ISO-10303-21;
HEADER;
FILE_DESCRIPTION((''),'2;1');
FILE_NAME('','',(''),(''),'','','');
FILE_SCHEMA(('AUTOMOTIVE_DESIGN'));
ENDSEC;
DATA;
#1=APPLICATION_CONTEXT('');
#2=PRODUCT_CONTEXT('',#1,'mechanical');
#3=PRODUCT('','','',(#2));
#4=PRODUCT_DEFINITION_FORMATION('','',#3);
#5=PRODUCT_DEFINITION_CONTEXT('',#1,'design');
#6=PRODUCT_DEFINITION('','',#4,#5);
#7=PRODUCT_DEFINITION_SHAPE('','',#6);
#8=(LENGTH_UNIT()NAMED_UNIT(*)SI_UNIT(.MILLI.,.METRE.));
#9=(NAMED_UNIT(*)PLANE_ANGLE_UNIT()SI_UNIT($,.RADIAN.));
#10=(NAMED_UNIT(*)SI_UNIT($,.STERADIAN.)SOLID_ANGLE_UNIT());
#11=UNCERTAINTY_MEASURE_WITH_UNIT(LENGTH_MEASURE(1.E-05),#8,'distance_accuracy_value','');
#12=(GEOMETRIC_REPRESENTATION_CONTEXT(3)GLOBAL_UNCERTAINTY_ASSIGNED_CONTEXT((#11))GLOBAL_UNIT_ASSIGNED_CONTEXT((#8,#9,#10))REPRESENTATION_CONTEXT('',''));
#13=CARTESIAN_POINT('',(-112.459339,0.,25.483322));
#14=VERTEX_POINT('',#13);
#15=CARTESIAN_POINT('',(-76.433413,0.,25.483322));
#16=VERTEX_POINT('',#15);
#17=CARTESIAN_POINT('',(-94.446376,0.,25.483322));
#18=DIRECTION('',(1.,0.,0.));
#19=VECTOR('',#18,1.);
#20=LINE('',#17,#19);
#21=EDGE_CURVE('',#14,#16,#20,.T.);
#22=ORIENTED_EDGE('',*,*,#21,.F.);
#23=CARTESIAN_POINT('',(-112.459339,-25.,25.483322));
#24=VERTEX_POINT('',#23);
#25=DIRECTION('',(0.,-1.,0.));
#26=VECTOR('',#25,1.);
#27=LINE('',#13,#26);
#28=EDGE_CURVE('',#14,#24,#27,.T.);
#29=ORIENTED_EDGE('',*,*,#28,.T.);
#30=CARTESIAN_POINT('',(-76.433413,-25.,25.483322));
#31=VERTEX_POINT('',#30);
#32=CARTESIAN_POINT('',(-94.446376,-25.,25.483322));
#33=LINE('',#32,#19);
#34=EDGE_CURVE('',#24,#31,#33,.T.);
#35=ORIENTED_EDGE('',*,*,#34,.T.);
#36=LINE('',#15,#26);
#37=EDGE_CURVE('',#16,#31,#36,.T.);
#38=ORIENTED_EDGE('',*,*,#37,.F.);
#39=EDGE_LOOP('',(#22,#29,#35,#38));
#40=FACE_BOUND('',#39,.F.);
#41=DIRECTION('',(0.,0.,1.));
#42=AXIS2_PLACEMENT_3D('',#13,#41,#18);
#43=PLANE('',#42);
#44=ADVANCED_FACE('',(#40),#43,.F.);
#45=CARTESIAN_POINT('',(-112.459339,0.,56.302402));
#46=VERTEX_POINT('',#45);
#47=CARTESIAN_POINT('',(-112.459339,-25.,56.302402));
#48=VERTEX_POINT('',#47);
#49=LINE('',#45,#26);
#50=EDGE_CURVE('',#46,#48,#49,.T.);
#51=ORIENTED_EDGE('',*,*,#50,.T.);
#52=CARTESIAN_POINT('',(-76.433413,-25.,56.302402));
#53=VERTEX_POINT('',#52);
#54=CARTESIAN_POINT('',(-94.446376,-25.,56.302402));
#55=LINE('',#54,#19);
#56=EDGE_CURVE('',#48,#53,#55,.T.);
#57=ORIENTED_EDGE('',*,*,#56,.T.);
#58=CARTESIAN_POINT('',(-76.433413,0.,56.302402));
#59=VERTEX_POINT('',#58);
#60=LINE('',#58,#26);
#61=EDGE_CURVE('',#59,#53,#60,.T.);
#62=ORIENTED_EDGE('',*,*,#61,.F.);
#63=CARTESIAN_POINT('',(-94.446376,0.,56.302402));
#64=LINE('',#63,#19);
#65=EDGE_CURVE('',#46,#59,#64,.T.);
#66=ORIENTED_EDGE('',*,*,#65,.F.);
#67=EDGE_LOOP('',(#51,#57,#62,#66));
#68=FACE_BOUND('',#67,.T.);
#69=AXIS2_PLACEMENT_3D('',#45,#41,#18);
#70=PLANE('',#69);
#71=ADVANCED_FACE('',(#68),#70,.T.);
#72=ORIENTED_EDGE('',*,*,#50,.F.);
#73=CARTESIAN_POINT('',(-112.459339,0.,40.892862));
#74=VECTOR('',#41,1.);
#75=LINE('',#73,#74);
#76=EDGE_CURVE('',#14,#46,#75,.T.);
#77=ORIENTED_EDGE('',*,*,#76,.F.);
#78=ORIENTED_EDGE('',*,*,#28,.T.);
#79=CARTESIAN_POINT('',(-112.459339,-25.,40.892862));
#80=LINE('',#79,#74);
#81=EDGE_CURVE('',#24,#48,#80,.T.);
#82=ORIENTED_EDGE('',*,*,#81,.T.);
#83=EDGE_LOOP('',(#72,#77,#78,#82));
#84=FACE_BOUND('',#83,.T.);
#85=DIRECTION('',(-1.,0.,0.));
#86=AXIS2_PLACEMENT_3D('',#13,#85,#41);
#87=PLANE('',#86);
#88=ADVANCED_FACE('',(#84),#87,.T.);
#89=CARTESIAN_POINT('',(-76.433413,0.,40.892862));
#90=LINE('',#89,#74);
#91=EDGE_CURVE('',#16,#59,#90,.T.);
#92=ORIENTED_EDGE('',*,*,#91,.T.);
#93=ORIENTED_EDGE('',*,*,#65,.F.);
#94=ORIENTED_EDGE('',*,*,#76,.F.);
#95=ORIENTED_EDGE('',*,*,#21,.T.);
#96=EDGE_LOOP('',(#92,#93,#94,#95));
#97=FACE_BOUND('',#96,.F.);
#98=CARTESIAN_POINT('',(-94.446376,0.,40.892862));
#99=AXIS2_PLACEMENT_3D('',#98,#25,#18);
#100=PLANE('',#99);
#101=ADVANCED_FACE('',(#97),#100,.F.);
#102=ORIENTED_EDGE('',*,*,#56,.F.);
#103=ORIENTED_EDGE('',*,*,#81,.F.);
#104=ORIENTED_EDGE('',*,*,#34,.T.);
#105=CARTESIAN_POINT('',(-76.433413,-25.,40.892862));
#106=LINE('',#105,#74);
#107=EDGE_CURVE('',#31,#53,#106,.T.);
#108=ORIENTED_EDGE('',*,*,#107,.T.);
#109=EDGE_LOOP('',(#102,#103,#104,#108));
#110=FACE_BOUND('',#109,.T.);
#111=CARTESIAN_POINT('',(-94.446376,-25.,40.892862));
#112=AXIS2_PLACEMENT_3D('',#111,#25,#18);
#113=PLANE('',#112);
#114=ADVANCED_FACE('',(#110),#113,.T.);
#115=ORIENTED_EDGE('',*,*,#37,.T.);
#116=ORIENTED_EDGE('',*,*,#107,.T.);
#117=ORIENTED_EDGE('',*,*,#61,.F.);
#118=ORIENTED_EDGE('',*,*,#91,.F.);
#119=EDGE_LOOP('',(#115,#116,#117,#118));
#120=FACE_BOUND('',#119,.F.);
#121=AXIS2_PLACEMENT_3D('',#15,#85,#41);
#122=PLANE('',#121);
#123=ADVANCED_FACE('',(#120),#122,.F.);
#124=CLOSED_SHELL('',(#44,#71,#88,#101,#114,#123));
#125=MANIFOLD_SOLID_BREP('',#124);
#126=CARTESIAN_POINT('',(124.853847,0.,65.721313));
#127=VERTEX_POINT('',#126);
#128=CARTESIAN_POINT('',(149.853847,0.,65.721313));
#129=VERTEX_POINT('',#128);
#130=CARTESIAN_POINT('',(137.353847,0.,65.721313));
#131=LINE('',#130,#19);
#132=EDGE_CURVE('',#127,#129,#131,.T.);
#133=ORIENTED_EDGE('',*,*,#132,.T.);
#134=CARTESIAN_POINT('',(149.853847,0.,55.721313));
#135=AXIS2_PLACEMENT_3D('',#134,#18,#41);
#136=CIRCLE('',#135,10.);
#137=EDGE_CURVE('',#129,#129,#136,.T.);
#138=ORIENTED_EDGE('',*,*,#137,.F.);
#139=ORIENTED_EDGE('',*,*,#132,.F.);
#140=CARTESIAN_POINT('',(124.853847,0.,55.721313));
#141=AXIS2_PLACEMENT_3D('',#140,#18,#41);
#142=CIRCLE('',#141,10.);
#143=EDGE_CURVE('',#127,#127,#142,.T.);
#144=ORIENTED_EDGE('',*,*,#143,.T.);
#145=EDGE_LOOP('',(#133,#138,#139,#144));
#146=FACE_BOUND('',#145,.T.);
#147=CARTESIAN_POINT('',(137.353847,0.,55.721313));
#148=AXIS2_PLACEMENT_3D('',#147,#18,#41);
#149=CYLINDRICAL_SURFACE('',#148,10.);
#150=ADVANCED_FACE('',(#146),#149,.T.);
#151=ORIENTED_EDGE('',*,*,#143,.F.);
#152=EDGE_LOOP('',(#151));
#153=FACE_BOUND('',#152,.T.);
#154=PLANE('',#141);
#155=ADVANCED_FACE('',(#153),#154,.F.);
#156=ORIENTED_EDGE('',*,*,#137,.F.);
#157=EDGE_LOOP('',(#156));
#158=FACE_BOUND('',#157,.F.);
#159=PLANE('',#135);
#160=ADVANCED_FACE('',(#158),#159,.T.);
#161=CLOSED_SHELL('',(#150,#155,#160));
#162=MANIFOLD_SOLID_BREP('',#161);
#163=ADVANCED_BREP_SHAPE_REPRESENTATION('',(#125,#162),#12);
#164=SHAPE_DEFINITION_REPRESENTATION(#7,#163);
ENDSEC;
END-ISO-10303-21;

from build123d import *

# Parameters (mm, degrees)
F0_W     = 36.025926
F0_H     = 30.819079
F1_DEPTH = 25
F2_W     = 25
F2_H     = 10


with BuildPart() as f1:
    # F0 (on Front) → F1 (new body)
    with BuildSketch(Plane.XZ):
        with Locations((-94.446376, 40.892862)):
            Rectangle(F0_W, F0_H)
    extrude(amount=F1_DEPTH)


with BuildPart() as f3:
    # F2 (on Front) → F3 (revolve)
    with BuildSketch(Plane.XZ):
        with Locations((137.353847, 60.721313)):
            Rectangle(F2_W, F2_H)
    revolve(axis=Axis((137.353847, 0, 55.721313), (1, 0, 0)))


solid = Compound([f1.part, f3.part])
